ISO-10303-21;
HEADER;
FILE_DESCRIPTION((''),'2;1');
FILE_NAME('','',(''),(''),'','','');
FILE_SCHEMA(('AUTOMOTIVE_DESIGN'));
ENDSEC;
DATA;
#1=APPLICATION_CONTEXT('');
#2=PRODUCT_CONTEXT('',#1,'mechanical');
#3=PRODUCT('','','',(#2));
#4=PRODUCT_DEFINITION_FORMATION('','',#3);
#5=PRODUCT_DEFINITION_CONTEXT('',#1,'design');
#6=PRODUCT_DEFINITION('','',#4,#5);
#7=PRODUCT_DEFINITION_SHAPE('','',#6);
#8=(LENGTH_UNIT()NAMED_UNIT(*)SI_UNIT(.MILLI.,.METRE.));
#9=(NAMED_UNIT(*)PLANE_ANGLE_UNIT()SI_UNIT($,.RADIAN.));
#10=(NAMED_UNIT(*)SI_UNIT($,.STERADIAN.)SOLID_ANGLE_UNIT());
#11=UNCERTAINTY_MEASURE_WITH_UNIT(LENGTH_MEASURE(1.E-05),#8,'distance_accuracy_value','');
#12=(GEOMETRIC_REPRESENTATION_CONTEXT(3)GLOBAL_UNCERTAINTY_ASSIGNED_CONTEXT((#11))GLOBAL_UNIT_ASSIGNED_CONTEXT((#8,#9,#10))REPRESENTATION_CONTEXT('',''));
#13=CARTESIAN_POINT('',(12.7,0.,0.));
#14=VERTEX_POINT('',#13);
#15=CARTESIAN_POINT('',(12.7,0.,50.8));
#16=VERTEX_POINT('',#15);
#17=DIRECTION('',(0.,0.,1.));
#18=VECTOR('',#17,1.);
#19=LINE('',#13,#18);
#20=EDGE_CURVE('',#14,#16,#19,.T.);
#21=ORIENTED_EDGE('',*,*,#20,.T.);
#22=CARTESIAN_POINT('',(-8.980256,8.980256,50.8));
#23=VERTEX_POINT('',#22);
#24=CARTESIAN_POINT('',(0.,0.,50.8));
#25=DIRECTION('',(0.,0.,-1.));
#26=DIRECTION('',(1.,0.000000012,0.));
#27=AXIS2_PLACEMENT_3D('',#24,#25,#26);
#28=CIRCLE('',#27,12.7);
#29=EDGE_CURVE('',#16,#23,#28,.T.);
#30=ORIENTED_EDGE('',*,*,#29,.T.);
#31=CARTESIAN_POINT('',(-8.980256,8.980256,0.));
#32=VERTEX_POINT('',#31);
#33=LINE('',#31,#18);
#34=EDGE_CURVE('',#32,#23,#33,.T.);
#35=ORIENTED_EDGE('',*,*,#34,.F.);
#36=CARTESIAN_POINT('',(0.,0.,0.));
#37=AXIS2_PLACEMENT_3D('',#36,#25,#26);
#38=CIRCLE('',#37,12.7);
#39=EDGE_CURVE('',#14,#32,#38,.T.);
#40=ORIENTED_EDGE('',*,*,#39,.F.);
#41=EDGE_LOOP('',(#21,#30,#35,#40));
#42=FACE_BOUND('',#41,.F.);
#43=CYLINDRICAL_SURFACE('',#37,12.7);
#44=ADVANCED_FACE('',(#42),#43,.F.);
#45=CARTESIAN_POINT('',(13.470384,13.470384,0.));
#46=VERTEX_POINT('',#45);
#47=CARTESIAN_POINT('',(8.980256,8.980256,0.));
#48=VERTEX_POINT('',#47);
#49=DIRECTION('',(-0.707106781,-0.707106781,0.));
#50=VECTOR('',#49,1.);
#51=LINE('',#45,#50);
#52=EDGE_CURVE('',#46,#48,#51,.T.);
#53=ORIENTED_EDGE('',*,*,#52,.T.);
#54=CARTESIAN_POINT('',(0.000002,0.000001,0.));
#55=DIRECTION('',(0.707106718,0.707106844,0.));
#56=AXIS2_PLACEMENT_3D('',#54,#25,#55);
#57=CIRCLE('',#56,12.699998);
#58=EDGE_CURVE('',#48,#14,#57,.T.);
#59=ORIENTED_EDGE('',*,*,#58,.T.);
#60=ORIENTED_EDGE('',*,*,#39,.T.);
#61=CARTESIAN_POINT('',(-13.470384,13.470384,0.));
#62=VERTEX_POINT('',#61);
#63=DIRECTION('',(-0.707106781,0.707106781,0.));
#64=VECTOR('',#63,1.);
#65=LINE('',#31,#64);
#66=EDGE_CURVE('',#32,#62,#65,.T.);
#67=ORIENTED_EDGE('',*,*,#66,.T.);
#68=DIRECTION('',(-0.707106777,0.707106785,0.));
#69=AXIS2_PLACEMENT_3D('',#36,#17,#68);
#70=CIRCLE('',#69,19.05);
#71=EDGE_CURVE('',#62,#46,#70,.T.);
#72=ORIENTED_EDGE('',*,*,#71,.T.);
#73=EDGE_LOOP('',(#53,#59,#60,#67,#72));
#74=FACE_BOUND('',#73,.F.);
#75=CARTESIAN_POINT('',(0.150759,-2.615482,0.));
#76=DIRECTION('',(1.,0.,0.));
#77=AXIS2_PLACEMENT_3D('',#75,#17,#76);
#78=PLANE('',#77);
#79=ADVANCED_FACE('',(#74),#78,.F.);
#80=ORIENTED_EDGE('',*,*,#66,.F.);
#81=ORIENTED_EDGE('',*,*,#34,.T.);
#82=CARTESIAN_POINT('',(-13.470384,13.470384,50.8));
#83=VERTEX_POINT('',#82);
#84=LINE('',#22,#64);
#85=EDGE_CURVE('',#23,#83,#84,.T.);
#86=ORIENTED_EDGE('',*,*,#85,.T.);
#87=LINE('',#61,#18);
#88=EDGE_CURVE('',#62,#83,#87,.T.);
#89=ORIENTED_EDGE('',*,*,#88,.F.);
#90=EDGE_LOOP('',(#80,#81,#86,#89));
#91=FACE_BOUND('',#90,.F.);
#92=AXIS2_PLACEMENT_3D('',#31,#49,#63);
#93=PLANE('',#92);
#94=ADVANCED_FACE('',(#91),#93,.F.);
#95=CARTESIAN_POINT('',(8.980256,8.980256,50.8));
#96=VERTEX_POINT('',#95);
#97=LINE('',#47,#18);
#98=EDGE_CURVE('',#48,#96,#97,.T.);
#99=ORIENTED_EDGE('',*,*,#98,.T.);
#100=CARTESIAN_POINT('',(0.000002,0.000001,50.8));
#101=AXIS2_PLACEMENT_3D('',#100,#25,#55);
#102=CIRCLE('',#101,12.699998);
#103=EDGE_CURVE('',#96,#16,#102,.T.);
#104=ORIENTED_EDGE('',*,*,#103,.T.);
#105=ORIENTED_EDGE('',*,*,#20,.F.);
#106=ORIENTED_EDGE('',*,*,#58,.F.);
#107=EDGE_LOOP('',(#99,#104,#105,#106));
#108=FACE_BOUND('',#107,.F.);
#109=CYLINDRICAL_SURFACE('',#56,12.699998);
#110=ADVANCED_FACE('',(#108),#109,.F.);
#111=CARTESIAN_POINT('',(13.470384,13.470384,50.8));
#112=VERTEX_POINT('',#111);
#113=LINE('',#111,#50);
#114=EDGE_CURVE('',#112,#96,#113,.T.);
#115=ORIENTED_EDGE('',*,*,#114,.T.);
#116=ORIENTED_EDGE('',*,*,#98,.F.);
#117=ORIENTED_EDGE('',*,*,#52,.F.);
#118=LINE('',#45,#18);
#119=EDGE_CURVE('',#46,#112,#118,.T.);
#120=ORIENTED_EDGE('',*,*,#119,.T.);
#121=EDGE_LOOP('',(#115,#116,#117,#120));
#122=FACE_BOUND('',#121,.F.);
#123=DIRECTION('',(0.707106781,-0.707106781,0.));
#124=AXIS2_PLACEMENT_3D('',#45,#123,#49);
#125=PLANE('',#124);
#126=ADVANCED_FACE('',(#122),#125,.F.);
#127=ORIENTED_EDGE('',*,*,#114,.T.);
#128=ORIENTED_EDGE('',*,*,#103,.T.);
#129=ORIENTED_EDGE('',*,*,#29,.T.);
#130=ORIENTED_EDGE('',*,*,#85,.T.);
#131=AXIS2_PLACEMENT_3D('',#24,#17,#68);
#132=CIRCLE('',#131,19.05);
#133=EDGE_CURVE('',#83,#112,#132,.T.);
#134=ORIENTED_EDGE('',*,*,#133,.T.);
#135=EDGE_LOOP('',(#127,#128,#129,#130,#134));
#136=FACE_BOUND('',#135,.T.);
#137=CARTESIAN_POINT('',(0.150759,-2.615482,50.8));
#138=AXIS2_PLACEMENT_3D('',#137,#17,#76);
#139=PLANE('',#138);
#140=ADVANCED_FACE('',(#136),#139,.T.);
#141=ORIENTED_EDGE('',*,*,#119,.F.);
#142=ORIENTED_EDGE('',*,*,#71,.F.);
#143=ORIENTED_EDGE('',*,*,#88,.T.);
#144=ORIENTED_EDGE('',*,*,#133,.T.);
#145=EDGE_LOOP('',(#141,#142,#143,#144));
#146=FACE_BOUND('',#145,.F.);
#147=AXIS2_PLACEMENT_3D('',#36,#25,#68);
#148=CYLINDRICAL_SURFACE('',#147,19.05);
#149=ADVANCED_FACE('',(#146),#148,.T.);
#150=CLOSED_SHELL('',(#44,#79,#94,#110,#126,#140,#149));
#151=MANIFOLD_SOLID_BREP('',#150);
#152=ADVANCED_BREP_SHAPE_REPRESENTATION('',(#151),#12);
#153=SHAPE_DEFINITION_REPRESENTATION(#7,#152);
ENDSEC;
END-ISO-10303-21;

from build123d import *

# Parameters (mm, degrees)
F1_DEPTH = 50.8


with BuildPart() as f1:
    # F0 (on Top) → F1 (new body)
    with BuildSketch(Plane.XY):
        with BuildLine():
            ThreePointArc((8.980256, 8.980256), (11.73327, 4.86008), (12.7, 0))
            ThreePointArc((12.7, 0), (-4.86008, -11.73327), (-8.980256, 8.980256))
            Line((-8.980256, 8.980256), (-13.470384, 13.470384))
            ThreePointArc((-13.470384, 13.470384), (0, -19.05), (13.470384, 13.470384))
            Line((13.470384, 13.470384), (8.980256, 8.980256))
        make_face()
    extrude(amount=F1_DEPTH)


solid = f1.part
